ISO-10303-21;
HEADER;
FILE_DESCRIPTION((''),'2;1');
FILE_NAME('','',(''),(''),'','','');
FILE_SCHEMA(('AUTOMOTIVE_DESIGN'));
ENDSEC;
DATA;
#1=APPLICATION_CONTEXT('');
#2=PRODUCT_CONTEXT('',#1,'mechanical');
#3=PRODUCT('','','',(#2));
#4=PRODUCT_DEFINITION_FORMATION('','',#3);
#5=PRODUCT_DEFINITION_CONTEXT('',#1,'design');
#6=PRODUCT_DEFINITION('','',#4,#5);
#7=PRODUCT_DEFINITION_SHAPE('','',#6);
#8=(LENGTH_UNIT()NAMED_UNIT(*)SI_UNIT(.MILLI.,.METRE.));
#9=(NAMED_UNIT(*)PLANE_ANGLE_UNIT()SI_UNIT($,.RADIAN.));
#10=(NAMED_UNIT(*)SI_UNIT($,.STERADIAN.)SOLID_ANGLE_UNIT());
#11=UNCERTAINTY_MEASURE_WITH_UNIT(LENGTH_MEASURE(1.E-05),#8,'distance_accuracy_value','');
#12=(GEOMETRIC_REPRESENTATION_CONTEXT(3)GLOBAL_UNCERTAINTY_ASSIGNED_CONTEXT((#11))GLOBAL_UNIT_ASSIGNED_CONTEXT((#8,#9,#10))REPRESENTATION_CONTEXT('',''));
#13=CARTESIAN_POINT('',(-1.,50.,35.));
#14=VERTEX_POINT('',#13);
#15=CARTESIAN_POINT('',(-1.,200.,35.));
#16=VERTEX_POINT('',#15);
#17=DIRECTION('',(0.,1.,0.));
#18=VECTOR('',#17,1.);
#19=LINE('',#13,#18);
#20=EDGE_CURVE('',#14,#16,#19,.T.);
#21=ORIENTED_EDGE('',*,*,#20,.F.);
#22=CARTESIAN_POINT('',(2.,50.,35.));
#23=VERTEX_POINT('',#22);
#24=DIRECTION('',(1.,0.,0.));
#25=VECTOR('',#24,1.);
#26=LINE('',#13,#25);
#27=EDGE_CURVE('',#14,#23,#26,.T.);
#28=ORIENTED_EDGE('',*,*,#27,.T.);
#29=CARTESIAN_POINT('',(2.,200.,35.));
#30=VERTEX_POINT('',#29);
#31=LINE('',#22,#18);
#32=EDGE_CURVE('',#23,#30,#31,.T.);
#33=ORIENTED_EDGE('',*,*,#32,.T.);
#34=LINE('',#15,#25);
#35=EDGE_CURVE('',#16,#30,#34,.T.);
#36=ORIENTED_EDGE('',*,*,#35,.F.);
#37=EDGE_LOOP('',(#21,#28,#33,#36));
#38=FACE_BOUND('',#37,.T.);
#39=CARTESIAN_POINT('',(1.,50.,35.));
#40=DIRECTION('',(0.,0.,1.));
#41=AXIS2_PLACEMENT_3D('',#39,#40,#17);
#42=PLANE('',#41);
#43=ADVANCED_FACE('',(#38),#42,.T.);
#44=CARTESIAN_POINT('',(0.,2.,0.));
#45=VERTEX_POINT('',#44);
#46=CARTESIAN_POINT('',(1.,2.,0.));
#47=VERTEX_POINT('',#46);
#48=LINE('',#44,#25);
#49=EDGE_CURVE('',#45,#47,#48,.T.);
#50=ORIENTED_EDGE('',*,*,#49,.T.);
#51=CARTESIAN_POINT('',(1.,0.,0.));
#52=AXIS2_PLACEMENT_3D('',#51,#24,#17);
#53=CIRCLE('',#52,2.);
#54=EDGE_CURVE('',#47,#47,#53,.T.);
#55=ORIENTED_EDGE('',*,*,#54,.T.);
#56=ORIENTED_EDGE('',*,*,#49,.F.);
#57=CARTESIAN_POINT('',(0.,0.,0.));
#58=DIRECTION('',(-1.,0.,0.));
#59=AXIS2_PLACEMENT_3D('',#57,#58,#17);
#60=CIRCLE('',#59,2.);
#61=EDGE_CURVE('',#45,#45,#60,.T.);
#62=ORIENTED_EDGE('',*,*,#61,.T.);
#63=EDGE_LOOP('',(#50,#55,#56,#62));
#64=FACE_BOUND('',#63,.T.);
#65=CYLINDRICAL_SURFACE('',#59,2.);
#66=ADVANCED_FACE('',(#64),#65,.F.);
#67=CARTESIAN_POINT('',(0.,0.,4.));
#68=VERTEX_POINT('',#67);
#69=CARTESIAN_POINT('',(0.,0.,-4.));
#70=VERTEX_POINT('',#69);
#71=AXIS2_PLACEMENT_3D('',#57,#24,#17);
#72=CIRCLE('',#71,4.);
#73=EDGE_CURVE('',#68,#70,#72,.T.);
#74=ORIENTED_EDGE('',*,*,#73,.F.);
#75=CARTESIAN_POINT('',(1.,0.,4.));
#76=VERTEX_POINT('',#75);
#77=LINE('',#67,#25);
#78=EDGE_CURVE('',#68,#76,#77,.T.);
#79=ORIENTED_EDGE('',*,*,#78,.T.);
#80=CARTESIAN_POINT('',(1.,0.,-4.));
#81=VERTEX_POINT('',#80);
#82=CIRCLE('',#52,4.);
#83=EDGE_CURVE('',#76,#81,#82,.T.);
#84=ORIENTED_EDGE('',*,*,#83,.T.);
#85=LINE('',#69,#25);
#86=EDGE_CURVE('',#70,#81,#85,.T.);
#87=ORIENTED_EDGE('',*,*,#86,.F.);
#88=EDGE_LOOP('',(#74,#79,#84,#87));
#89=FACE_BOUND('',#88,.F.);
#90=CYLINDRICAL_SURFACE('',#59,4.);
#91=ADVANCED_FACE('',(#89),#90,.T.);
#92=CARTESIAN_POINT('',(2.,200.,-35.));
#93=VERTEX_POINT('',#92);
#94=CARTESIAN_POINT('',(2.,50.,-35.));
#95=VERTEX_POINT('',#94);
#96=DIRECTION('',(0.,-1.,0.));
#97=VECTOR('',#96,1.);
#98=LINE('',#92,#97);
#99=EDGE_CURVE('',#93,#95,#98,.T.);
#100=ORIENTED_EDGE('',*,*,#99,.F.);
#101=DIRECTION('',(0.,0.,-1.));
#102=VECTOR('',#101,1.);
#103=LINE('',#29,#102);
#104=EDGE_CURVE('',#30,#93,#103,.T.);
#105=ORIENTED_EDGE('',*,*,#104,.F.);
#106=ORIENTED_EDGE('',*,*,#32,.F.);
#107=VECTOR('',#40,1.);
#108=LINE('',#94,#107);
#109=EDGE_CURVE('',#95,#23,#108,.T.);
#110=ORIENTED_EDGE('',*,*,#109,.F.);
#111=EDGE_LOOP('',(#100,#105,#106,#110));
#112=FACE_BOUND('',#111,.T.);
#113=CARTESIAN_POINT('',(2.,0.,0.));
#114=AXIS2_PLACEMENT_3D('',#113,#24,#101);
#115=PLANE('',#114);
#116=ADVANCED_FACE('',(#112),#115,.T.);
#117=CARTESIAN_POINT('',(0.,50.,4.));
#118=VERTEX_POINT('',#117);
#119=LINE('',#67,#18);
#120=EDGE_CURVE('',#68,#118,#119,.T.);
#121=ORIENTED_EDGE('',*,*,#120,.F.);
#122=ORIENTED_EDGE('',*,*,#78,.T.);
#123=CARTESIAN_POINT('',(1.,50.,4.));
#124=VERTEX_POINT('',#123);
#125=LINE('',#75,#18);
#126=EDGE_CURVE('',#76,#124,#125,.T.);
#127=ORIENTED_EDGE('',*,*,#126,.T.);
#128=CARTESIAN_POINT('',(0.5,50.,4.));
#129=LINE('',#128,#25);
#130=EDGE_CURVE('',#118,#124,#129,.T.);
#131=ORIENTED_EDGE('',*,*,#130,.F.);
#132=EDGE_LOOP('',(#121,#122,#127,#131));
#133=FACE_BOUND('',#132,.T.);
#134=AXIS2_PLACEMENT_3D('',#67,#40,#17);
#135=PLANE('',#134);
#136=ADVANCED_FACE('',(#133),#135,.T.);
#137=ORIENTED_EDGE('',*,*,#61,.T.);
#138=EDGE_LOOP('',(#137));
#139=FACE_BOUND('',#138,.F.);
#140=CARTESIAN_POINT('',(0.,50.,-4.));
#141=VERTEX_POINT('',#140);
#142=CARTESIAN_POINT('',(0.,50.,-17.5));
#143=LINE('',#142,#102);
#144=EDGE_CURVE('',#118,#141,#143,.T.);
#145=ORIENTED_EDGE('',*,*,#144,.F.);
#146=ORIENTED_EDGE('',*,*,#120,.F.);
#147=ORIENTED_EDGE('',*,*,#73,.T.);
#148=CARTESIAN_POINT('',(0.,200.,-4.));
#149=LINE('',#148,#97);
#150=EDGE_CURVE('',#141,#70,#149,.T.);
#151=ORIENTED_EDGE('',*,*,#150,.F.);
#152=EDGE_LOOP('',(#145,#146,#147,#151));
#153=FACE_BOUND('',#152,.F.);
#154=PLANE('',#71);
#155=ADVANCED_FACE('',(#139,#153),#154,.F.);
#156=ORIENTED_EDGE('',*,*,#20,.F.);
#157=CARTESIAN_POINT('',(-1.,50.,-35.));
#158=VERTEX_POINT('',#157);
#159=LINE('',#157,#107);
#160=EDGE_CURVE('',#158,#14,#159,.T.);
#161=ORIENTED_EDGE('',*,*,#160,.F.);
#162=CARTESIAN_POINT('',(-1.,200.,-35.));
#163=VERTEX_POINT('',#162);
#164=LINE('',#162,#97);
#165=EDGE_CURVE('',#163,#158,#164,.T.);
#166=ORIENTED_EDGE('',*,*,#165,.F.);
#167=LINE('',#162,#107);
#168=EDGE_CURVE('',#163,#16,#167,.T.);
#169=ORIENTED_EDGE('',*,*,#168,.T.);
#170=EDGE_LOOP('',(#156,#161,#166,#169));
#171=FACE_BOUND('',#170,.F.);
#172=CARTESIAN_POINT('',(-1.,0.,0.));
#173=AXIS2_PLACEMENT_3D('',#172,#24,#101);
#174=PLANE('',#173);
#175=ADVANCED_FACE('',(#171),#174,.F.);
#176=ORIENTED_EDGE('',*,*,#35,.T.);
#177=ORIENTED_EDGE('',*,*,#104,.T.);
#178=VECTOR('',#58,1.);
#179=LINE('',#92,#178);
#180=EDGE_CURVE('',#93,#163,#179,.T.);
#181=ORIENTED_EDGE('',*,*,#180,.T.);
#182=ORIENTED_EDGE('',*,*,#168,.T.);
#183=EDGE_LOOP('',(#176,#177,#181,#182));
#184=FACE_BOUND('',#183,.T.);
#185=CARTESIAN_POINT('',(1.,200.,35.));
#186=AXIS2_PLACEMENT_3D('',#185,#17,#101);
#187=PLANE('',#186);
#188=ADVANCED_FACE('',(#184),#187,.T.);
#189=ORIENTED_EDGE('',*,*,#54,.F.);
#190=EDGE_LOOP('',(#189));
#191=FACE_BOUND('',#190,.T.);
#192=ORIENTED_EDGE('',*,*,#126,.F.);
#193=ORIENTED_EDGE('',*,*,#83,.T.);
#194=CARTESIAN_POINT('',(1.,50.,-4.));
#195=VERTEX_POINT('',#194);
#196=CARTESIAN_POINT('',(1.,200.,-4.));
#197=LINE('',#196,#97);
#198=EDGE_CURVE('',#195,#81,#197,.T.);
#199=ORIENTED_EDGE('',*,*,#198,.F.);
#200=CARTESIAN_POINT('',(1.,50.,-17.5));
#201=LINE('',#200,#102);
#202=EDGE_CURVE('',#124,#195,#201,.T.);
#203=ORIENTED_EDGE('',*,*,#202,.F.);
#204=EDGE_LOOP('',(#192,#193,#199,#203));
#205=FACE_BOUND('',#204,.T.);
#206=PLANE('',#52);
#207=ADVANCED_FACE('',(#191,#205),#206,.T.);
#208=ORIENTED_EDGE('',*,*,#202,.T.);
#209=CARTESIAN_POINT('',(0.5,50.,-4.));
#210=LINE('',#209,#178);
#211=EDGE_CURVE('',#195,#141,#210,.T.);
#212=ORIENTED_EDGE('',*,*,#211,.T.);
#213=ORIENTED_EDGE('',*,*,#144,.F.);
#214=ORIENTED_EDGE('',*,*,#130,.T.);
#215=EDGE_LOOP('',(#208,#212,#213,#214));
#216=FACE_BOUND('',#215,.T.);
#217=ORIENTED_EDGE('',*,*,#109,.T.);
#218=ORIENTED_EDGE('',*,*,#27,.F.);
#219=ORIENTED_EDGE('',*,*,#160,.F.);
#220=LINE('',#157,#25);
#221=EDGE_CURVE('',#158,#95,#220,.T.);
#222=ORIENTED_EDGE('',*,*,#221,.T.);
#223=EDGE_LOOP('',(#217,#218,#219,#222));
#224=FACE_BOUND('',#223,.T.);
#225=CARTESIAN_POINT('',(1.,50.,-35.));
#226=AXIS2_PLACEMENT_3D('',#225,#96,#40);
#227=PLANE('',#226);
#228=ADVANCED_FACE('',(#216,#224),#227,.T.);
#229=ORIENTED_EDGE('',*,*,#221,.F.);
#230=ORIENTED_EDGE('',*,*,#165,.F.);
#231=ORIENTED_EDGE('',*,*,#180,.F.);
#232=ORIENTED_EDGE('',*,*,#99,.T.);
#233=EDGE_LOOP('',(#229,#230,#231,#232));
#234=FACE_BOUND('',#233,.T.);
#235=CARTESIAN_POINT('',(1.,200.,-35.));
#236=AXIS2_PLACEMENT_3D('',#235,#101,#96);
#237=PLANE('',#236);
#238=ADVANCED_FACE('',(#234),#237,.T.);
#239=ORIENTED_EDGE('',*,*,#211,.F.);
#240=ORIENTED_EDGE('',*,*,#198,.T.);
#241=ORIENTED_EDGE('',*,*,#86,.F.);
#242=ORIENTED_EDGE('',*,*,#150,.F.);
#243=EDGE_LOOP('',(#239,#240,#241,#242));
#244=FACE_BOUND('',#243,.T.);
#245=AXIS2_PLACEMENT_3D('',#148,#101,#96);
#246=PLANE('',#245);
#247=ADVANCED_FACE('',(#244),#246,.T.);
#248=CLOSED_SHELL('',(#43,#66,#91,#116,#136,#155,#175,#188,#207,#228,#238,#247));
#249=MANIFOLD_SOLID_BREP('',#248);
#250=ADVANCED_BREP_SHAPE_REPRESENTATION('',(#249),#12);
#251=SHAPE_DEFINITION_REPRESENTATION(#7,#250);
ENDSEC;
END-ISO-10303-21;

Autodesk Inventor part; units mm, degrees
ref_plane "YZ Plane" through (0, 0, 0) normal (1, 0, 0) x (0, 1, 0)
ref_plane "XZ Plane" through (0, 0, 0) normal (0, 1, 0) x (-1, 0, 0)
ref_plane "XY Plane" through (0, 0, 0) normal (0, 0, 1) x (1, 0, 0)
sketch "Szkic1" plane through (0, 0, 0) normal (1, 0, 0) x (0, 1, 0)
  circle A0 centre (0, 0) radius 4
  circle A1 centre (0, 0) radius 2
  line L0 (0, 4) -> (200, 4)
  line L1 (200, 4) -> (200, -4)
  line L2 (200, -4) -> (0, -4)
  line L3 (0, -4) -> (0, 4)
  point P0 (0, -4)
  dimension "d0" = 8
  dimension "d1" = 4
  dimension "d2" = 200
  dimension "d3" = 8
extrude "Wyciągnięcie proste1" add sketch "Szkic1" along normal blind 1 contours A0 L3 A1 | A0 L0 L1 L2 | L3 A1 A0
sketch "Szkic2" plane through (1, 0, 0) normal (1, 0, 0) x (0, 0, -1)
  line L0 (-35, 200) -> (35, 200)
  line L1 (35, 200) -> (35, 50)
  line L2 (35, 50) -> (-35, 50)
  line L3 (-35, 50) -> (-35, 200)
  line L4 (4, 200) -> (-4, 200) projected
  point P0 (0, 0)
  point P1 (0, 200)
  point P2 (0, 200)
  point P3 (0, 200)
  dimension "d6" = 70
  dimension "d7" = 150
extrude "Wyciągnięcie proste2" add sketch "Szkic2" along normal blind 1 and the other way blind 2
properties part number "reka"
